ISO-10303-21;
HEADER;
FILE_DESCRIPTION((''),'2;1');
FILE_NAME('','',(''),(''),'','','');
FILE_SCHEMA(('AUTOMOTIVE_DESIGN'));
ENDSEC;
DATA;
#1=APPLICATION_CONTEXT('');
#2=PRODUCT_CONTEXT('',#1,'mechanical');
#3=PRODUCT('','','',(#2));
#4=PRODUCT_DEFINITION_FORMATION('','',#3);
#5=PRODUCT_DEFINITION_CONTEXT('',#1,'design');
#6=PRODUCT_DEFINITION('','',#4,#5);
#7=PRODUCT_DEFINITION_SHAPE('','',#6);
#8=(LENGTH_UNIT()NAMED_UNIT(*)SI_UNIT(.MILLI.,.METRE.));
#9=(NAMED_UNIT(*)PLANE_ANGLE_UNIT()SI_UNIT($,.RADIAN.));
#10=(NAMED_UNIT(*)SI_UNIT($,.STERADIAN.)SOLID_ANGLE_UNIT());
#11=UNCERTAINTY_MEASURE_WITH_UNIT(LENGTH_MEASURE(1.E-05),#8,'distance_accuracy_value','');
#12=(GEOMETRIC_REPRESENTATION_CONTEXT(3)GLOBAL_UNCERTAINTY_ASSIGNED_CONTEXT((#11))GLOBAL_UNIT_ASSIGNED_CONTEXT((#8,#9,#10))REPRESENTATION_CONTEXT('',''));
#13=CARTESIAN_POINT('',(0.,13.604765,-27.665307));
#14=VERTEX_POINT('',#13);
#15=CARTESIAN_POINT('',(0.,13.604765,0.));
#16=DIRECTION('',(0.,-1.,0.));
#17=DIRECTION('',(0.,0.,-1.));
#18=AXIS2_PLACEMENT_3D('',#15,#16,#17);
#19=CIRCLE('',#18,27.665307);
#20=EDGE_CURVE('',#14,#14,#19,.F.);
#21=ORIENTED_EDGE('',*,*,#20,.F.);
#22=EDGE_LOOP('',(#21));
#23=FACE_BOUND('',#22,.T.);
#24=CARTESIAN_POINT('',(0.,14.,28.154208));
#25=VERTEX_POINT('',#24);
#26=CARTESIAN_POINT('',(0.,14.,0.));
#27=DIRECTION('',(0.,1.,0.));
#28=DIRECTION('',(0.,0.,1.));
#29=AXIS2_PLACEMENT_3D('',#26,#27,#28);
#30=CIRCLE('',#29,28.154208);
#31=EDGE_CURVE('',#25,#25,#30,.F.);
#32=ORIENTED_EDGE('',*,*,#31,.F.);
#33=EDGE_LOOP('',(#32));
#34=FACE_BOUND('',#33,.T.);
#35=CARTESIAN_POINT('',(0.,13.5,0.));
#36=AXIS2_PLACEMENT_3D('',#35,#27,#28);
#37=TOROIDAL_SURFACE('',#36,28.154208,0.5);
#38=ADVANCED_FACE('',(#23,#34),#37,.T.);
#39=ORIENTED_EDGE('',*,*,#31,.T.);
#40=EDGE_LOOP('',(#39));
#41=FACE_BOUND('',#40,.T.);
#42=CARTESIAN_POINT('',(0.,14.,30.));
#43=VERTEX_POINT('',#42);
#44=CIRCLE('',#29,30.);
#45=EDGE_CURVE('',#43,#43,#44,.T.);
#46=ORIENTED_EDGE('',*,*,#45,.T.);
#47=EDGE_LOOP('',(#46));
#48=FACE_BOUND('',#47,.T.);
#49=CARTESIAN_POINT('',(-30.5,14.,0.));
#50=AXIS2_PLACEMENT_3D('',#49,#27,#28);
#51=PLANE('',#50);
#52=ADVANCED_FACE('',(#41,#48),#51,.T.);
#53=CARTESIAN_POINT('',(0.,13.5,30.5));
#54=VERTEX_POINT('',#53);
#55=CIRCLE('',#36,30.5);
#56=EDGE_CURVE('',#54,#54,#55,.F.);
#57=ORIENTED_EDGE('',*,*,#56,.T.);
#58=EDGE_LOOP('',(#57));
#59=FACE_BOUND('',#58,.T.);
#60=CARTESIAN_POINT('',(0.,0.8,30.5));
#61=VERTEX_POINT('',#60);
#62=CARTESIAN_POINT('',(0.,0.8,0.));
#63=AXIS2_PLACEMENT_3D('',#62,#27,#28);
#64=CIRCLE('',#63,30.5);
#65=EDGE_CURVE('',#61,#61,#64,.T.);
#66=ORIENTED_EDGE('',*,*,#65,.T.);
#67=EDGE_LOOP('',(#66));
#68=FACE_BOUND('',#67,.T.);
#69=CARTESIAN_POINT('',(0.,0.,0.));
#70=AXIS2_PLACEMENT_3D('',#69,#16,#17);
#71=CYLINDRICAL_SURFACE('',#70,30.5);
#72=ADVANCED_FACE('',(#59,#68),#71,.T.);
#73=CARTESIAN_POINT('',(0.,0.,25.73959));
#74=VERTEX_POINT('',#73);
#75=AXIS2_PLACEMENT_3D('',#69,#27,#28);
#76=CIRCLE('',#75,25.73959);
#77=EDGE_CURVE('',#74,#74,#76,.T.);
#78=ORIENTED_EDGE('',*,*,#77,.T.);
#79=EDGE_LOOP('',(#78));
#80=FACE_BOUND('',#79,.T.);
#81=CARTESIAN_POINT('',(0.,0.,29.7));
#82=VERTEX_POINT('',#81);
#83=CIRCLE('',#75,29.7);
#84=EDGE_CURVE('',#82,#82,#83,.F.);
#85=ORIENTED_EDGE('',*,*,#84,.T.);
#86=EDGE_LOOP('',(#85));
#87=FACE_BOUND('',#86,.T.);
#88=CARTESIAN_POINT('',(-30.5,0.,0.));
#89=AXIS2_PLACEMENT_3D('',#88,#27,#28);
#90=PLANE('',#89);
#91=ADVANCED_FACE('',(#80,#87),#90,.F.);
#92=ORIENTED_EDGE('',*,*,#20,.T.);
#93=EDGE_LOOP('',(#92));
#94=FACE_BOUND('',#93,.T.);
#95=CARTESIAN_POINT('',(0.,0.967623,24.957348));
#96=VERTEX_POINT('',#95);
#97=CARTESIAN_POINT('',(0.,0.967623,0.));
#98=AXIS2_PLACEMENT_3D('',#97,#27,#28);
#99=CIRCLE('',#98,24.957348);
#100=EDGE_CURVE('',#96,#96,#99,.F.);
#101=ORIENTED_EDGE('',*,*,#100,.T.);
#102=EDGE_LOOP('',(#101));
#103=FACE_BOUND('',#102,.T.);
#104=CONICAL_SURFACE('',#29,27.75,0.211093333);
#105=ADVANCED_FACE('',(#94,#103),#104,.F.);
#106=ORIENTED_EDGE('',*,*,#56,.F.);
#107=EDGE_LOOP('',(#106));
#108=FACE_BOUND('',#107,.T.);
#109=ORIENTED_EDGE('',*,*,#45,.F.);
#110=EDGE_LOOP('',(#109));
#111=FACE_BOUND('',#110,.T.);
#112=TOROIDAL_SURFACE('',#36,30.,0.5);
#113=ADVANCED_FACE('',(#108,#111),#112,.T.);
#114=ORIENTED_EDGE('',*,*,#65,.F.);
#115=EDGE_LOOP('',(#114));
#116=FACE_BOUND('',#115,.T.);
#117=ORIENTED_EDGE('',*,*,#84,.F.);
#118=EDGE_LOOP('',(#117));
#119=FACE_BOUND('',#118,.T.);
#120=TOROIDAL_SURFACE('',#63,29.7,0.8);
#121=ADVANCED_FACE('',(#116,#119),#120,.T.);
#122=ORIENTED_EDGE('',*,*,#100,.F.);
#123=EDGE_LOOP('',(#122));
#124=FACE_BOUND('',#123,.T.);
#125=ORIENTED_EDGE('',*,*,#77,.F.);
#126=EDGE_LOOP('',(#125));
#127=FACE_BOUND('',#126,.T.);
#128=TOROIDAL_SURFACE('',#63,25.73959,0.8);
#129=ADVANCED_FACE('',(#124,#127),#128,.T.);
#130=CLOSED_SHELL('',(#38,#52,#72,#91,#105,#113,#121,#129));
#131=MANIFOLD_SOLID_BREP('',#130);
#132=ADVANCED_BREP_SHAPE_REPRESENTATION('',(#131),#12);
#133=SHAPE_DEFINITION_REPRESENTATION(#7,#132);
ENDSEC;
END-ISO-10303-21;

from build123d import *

# Parameters (mm, degrees)
FILLET1_R = 0.5
FILLET3_R = 0.8


with BuildPart() as part:
    # Sketch2 → Revolve1 (revolve)
    with BuildSketch(Plane.XY):
        Polygon((-30.5, 0), (-30.5, 14), (-27.75, 14), (-24.75, 0), align=None)
    revolve(axis=Axis((0, 0, 0), (0, 1, 0)))

    # Fillet1
    fillet1_edges = [part.edges().sort_by_distance(p)[0] for p in [
        (27.75, 14, 0),
        (30.5, 14, 0),
    ]]
    fillet(fillet1_edges, radius=FILLET1_R)

    # Fillet3
    fillet3_edges = [part.edges().sort_by_distance(p)[0] for p in [
        (30.5, 0, 0),
        (24.75, 0, 0),
    ]]
    fillet(fillet3_edges, radius=FILLET3_R)


solid = part.part
